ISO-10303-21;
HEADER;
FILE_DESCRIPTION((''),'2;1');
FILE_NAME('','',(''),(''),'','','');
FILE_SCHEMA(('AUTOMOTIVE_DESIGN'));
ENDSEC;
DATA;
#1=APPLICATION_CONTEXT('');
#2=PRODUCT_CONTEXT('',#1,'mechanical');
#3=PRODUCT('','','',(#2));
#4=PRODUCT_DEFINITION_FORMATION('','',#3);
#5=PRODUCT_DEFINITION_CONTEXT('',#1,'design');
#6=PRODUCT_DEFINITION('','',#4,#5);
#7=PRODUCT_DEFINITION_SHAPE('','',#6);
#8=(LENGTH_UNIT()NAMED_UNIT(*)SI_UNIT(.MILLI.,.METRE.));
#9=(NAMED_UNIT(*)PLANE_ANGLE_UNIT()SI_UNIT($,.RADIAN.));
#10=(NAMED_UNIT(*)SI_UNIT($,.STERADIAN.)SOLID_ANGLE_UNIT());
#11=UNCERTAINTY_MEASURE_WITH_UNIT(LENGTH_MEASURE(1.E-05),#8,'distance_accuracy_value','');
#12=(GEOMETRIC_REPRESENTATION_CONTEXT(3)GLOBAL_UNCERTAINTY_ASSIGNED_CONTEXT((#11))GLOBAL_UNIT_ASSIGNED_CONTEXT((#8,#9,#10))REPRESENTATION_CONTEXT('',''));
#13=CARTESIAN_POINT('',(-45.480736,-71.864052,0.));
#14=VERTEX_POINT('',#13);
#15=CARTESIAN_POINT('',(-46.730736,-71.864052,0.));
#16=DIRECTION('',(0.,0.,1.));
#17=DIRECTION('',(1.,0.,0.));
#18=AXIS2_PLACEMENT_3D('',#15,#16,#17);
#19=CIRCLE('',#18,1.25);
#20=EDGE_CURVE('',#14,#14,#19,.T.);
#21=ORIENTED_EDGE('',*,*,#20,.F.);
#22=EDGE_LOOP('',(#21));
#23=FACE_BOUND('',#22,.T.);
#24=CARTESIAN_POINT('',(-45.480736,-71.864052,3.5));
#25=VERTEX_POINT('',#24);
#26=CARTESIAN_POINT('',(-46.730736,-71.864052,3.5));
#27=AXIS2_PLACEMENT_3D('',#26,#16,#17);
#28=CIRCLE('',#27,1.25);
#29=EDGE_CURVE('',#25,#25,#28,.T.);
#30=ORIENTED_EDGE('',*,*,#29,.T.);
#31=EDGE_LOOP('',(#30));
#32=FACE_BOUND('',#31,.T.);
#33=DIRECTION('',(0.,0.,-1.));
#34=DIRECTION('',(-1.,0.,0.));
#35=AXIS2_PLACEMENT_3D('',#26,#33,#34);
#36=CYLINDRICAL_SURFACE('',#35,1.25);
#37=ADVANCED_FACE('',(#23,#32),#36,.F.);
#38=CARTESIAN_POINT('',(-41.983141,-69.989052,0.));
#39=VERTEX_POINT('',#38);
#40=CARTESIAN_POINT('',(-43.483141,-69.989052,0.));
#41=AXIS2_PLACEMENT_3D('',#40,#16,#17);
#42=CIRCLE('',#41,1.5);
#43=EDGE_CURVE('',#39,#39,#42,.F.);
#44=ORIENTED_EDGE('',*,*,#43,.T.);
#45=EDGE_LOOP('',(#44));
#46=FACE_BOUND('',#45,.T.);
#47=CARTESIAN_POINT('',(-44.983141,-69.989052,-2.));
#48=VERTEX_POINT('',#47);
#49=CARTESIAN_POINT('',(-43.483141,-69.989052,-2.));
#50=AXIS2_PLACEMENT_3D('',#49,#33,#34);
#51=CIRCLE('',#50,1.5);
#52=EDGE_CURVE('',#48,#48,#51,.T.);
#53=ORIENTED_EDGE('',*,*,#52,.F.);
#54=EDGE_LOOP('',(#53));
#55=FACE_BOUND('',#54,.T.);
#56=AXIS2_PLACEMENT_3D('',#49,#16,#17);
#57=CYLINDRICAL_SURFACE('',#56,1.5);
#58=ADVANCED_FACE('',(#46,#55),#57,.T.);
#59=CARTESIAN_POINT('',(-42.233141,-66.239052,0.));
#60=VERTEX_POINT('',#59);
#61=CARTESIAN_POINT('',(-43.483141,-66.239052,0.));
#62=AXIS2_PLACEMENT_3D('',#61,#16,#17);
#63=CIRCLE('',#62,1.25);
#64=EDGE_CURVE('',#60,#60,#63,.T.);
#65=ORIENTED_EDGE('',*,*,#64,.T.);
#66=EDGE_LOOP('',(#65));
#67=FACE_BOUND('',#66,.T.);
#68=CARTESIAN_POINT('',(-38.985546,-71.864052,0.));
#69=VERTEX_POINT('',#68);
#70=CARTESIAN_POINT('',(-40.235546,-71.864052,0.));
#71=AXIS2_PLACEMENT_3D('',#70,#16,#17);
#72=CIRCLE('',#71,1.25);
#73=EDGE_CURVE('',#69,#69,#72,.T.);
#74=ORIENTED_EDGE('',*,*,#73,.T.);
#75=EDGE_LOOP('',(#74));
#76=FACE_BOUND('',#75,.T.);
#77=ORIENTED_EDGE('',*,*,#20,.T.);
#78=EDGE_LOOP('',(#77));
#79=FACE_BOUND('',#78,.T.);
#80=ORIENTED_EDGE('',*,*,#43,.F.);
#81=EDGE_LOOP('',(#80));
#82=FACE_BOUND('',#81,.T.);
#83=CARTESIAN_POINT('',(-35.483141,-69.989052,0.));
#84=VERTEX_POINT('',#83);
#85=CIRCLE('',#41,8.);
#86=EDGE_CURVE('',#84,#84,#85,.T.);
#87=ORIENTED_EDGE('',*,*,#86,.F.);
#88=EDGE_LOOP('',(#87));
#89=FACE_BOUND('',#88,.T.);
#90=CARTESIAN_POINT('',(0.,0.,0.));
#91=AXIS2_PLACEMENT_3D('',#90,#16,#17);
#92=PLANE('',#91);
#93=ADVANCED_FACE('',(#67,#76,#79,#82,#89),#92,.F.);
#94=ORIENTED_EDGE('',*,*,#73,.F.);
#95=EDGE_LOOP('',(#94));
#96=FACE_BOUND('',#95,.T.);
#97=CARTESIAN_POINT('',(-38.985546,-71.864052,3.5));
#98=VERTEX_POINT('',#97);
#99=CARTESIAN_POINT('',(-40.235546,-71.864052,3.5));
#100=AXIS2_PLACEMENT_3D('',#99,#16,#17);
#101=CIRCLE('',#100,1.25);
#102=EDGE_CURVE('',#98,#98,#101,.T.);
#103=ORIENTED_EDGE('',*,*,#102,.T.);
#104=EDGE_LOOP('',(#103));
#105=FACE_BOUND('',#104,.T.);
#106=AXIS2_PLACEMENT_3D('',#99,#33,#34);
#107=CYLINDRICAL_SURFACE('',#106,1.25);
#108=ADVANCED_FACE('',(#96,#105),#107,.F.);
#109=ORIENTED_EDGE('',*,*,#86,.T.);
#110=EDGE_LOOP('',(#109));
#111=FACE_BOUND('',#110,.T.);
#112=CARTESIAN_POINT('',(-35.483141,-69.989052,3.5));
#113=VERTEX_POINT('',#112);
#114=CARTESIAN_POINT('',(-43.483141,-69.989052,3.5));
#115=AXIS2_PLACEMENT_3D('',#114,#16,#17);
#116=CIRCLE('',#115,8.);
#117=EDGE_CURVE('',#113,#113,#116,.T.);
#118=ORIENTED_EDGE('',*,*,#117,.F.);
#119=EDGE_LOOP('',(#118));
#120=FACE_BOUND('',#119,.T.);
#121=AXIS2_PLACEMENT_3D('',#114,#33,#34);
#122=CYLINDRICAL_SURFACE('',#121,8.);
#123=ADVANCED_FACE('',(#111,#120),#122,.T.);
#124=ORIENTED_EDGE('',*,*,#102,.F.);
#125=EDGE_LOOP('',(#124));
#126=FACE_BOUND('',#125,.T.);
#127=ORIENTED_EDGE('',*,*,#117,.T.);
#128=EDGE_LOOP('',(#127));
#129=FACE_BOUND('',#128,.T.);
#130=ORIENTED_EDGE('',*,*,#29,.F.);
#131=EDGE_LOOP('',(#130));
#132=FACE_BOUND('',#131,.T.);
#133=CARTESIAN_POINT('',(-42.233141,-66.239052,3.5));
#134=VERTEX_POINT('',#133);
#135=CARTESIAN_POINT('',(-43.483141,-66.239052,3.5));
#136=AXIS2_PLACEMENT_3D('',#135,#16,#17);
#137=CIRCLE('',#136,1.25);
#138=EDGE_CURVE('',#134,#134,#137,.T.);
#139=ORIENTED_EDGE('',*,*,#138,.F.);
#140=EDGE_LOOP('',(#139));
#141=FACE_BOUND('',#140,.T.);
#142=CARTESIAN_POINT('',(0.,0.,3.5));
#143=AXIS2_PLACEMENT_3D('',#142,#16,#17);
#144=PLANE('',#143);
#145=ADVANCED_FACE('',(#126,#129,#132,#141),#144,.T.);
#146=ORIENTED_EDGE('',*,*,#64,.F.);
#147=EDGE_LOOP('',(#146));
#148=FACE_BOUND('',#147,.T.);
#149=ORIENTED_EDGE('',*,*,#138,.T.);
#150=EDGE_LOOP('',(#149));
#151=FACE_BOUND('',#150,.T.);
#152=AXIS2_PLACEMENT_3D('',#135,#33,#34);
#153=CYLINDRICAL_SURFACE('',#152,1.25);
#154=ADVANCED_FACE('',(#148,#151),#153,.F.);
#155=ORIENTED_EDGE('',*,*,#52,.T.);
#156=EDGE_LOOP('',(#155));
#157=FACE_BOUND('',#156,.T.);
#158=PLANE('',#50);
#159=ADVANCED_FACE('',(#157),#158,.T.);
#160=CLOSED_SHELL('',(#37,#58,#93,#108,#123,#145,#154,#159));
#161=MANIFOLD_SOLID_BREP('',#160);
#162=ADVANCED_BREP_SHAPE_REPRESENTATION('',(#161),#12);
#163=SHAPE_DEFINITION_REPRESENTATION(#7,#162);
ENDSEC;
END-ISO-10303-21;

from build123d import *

# Parameters (mm, degrees)
SKETCH1_R           = 8
SKETCH1_R_2         = 6
SKETCH1_R_3         = 1.25
SKETCH1_R_4         = 1.5
BOSS_EXTRUDE1_DEPTH = 3.5
SKETCH2_R           = 1.5
BOSS_EXTRUDE2_DEPTH = 2


with BuildPart() as part:
    # Sketch1 → Boss-Extrude1 (new body)
    with BuildSketch(Plane.XY):
        with Locations((-43.483141232, -69.989052064)):
            Circle(SKETCH1_R)
        with Locations((-43.483141232, -69.989052064)):
            Circle(SKETCH1_R_2, mode=Mode.SUBTRACT)
        with Locations((-43.483141232, -69.989052064)):
            Circle(SKETCH1_R)
        with Locations((-40.235545968, -71.864052064)):
            Circle(SKETCH1_R_3, mode=Mode.SUBTRACT)
        with Locations((-46.730736496, -71.864052064)):
            Circle(SKETCH1_R_3, mode=Mode.SUBTRACT)
        with Locations((-43.483141232, -66.239052064)):
            Circle(SKETCH1_R_3, mode=Mode.SUBTRACT)
        with Locations((-43.483141232, -69.989052064)):
            Circle(SKETCH1_R_4, mode=Mode.SUBTRACT)
        with Locations((-43.483141232, -69.989052064)):
            Circle(SKETCH1_R_4)
    extrude(amount=BOSS_EXTRUDE1_DEPTH)

    # Sketch2 → Boss-Extrude2 (add)
    with BuildSketch(Plane(origin=(0, 0, 0), x_dir=(-1, 0, 0), z_dir=(0, 0, -1))):
        with Locations((43.483141232, -69.989052064)):
            Circle(SKETCH2_R)
    extrude(amount=BOSS_EXTRUDE2_DEPTH)


solid = part.part
